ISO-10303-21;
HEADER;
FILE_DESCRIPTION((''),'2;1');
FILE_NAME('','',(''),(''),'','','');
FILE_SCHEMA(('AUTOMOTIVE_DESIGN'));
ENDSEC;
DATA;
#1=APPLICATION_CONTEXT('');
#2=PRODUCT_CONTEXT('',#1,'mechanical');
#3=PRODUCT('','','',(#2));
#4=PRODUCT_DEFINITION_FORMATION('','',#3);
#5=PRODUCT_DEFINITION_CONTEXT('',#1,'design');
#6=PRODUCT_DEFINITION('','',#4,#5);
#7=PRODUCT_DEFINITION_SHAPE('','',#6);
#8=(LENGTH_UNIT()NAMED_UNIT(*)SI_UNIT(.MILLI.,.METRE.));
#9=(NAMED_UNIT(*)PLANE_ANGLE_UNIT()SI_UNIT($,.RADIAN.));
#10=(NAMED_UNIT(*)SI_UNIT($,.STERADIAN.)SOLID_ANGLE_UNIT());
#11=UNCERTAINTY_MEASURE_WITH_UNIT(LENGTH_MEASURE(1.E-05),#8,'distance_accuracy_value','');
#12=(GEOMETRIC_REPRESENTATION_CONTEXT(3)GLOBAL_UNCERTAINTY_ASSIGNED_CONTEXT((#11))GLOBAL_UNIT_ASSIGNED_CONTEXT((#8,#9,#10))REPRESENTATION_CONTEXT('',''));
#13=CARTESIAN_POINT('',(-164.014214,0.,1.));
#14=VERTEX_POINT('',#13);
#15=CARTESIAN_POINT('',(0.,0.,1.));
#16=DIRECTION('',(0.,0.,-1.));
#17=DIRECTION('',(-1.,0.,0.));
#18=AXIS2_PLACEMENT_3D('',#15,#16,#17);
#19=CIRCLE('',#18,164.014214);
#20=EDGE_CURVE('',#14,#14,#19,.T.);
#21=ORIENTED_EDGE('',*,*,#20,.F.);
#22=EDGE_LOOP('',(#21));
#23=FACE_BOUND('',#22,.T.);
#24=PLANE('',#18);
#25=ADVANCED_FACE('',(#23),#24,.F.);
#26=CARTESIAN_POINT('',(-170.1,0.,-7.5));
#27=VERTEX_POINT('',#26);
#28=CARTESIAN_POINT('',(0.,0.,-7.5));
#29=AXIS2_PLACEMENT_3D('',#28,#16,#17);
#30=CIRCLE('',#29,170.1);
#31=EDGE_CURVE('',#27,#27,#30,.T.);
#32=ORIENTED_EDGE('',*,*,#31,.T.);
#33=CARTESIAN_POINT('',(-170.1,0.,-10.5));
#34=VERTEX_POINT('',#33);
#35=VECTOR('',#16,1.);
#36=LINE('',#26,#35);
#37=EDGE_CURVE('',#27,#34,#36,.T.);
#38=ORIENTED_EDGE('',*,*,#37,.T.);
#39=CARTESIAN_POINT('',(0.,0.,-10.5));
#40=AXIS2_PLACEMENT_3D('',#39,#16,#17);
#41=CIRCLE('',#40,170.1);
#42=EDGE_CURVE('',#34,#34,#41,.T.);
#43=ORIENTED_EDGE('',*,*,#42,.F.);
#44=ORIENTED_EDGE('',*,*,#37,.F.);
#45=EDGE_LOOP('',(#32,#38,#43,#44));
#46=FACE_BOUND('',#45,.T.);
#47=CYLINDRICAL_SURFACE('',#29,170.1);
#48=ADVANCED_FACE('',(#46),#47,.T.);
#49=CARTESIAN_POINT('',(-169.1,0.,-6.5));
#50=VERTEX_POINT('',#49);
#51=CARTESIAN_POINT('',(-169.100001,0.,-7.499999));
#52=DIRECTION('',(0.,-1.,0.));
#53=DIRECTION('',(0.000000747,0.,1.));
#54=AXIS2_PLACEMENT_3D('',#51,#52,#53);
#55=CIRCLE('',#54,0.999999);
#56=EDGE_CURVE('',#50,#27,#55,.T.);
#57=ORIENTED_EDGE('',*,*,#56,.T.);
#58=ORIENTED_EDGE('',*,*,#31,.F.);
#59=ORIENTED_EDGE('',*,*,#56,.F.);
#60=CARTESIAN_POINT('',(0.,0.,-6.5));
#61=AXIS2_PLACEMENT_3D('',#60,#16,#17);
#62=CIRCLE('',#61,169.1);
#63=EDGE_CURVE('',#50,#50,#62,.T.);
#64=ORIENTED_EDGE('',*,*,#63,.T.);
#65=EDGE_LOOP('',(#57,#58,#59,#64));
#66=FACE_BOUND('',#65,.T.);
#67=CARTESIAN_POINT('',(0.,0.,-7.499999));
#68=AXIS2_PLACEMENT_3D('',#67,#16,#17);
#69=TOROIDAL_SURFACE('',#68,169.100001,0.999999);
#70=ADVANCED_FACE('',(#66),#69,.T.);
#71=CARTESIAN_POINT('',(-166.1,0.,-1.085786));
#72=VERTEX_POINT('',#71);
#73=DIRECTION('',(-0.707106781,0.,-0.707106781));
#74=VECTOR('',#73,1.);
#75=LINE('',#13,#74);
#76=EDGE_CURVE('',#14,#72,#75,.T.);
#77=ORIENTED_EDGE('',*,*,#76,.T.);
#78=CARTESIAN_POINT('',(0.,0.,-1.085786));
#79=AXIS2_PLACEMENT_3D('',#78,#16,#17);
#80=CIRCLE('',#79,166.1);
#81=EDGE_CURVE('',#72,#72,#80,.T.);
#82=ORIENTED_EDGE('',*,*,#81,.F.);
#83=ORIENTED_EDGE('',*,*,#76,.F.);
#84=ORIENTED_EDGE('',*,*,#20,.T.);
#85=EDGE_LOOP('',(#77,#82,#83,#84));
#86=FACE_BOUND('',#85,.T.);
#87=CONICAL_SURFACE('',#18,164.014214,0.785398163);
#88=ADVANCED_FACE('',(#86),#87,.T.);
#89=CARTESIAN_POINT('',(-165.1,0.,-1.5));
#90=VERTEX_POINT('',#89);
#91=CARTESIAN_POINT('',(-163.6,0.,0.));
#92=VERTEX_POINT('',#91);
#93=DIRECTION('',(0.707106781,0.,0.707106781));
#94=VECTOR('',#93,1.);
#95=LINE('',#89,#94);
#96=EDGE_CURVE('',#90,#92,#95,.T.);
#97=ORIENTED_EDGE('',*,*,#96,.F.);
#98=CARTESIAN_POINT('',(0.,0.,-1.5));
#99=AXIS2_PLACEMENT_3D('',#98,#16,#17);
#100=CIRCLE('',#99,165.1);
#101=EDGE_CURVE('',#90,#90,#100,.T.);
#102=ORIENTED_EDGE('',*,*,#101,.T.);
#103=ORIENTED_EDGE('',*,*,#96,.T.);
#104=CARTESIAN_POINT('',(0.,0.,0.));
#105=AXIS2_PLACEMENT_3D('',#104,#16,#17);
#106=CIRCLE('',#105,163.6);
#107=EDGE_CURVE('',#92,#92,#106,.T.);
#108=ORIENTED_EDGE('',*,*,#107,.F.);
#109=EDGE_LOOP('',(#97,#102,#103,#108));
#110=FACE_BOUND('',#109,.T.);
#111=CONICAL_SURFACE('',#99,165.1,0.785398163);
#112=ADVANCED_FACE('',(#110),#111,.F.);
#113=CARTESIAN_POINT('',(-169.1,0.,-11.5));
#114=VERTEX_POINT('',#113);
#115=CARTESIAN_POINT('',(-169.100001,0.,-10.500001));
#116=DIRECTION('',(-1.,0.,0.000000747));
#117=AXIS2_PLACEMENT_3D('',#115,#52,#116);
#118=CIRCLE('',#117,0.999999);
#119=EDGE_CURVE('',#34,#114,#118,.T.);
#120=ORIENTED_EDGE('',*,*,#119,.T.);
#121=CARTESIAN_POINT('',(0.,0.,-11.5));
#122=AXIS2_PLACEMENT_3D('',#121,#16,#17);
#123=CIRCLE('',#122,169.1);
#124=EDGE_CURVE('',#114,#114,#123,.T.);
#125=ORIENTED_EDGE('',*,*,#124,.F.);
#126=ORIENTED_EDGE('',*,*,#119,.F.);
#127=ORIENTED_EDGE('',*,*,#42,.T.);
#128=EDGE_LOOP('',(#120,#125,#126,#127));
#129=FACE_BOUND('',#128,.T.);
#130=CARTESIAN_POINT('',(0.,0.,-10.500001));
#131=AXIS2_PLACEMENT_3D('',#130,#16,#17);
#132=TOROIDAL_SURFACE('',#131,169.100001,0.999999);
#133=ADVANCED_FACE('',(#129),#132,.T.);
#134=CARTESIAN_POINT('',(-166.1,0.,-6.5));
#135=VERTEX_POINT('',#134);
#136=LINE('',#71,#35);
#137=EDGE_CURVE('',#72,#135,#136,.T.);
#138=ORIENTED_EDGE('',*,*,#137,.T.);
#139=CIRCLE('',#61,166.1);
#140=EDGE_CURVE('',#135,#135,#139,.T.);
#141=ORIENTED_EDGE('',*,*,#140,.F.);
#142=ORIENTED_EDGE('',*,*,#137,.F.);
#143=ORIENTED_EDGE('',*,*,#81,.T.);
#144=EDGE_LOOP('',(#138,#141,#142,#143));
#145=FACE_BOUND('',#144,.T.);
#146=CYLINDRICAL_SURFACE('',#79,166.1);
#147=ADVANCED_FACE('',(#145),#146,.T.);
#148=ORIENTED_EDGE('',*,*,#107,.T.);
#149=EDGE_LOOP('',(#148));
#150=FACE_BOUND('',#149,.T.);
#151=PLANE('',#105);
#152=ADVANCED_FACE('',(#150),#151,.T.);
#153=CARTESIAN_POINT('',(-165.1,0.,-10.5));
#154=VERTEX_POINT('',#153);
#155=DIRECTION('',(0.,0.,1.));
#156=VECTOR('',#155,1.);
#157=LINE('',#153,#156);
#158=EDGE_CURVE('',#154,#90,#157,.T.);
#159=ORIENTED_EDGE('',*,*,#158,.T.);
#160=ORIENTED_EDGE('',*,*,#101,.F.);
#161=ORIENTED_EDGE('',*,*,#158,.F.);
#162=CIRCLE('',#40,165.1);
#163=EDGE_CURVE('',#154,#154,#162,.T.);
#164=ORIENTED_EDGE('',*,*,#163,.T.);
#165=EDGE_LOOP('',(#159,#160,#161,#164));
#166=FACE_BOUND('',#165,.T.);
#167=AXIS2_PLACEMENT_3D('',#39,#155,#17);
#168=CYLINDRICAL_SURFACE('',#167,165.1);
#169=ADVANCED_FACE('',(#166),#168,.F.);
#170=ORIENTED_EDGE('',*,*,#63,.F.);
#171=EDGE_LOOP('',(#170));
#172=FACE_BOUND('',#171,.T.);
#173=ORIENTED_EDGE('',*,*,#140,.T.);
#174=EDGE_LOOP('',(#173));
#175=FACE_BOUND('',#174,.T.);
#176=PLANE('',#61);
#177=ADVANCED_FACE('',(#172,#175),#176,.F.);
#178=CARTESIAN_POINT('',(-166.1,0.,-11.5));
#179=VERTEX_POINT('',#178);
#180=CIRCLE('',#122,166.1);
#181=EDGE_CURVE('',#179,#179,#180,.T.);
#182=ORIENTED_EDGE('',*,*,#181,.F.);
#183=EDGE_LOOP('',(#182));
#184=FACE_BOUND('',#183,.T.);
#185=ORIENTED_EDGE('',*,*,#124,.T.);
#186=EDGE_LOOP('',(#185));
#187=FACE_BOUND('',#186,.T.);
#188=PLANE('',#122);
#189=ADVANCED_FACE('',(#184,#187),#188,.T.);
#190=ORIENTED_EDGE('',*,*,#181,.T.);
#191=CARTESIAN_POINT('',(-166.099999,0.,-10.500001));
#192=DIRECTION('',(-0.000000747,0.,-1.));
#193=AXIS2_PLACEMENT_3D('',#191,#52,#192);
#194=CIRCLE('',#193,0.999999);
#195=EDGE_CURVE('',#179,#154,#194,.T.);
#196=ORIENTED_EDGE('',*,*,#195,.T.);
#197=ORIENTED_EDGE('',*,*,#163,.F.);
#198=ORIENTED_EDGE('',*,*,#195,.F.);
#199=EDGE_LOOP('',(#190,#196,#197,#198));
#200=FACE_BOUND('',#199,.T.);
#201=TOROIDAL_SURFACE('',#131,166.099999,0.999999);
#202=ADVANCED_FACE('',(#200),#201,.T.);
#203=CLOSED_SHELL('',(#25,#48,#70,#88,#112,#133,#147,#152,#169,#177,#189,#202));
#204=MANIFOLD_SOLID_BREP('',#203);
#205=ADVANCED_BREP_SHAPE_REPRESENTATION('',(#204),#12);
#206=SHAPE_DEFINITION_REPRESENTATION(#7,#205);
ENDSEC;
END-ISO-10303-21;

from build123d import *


with BuildPart() as f1:
    # F0 (on Front) → F1 (revolve)
    with BuildSketch(Plane.XZ):
        with BuildLine():
            Line((-163.6, 0), (0, 0))
            Line((0, 0), (0, 1))
            Line((0, 1), (-164.014214, 1))
            Line((-164.014214, 1), (-166.1, -1.085786))
            Line((-166.1, -1.085786), (-166.1, -6.5))
            Line((-166.1, -6.5), (-169.1, -6.5))
            ThreePointArc((-169.1, -6.5), (-169.807107, -6.792893), (-170.1, -7.5))
            Line((-170.1, -7.5), (-170.1, -10.5))
            ThreePointArc((-170.1, -10.5), (-169.807107, -11.207107), (-169.1, -11.5))
            Line((-169.1, -11.5), (-166.1, -11.5))
            ThreePointArc((-166.1, -11.5), (-165.392893, -11.207107), (-165.1, -10.5))
            Line((-165.1, -10.5), (-165.1, -1.5))
            Line((-165.1, -1.5), (-163.6, 0))
        make_face()
    revolve(axis=Axis((0, 0, 0.5), (0, 0, -1)))


solid = f1.part
